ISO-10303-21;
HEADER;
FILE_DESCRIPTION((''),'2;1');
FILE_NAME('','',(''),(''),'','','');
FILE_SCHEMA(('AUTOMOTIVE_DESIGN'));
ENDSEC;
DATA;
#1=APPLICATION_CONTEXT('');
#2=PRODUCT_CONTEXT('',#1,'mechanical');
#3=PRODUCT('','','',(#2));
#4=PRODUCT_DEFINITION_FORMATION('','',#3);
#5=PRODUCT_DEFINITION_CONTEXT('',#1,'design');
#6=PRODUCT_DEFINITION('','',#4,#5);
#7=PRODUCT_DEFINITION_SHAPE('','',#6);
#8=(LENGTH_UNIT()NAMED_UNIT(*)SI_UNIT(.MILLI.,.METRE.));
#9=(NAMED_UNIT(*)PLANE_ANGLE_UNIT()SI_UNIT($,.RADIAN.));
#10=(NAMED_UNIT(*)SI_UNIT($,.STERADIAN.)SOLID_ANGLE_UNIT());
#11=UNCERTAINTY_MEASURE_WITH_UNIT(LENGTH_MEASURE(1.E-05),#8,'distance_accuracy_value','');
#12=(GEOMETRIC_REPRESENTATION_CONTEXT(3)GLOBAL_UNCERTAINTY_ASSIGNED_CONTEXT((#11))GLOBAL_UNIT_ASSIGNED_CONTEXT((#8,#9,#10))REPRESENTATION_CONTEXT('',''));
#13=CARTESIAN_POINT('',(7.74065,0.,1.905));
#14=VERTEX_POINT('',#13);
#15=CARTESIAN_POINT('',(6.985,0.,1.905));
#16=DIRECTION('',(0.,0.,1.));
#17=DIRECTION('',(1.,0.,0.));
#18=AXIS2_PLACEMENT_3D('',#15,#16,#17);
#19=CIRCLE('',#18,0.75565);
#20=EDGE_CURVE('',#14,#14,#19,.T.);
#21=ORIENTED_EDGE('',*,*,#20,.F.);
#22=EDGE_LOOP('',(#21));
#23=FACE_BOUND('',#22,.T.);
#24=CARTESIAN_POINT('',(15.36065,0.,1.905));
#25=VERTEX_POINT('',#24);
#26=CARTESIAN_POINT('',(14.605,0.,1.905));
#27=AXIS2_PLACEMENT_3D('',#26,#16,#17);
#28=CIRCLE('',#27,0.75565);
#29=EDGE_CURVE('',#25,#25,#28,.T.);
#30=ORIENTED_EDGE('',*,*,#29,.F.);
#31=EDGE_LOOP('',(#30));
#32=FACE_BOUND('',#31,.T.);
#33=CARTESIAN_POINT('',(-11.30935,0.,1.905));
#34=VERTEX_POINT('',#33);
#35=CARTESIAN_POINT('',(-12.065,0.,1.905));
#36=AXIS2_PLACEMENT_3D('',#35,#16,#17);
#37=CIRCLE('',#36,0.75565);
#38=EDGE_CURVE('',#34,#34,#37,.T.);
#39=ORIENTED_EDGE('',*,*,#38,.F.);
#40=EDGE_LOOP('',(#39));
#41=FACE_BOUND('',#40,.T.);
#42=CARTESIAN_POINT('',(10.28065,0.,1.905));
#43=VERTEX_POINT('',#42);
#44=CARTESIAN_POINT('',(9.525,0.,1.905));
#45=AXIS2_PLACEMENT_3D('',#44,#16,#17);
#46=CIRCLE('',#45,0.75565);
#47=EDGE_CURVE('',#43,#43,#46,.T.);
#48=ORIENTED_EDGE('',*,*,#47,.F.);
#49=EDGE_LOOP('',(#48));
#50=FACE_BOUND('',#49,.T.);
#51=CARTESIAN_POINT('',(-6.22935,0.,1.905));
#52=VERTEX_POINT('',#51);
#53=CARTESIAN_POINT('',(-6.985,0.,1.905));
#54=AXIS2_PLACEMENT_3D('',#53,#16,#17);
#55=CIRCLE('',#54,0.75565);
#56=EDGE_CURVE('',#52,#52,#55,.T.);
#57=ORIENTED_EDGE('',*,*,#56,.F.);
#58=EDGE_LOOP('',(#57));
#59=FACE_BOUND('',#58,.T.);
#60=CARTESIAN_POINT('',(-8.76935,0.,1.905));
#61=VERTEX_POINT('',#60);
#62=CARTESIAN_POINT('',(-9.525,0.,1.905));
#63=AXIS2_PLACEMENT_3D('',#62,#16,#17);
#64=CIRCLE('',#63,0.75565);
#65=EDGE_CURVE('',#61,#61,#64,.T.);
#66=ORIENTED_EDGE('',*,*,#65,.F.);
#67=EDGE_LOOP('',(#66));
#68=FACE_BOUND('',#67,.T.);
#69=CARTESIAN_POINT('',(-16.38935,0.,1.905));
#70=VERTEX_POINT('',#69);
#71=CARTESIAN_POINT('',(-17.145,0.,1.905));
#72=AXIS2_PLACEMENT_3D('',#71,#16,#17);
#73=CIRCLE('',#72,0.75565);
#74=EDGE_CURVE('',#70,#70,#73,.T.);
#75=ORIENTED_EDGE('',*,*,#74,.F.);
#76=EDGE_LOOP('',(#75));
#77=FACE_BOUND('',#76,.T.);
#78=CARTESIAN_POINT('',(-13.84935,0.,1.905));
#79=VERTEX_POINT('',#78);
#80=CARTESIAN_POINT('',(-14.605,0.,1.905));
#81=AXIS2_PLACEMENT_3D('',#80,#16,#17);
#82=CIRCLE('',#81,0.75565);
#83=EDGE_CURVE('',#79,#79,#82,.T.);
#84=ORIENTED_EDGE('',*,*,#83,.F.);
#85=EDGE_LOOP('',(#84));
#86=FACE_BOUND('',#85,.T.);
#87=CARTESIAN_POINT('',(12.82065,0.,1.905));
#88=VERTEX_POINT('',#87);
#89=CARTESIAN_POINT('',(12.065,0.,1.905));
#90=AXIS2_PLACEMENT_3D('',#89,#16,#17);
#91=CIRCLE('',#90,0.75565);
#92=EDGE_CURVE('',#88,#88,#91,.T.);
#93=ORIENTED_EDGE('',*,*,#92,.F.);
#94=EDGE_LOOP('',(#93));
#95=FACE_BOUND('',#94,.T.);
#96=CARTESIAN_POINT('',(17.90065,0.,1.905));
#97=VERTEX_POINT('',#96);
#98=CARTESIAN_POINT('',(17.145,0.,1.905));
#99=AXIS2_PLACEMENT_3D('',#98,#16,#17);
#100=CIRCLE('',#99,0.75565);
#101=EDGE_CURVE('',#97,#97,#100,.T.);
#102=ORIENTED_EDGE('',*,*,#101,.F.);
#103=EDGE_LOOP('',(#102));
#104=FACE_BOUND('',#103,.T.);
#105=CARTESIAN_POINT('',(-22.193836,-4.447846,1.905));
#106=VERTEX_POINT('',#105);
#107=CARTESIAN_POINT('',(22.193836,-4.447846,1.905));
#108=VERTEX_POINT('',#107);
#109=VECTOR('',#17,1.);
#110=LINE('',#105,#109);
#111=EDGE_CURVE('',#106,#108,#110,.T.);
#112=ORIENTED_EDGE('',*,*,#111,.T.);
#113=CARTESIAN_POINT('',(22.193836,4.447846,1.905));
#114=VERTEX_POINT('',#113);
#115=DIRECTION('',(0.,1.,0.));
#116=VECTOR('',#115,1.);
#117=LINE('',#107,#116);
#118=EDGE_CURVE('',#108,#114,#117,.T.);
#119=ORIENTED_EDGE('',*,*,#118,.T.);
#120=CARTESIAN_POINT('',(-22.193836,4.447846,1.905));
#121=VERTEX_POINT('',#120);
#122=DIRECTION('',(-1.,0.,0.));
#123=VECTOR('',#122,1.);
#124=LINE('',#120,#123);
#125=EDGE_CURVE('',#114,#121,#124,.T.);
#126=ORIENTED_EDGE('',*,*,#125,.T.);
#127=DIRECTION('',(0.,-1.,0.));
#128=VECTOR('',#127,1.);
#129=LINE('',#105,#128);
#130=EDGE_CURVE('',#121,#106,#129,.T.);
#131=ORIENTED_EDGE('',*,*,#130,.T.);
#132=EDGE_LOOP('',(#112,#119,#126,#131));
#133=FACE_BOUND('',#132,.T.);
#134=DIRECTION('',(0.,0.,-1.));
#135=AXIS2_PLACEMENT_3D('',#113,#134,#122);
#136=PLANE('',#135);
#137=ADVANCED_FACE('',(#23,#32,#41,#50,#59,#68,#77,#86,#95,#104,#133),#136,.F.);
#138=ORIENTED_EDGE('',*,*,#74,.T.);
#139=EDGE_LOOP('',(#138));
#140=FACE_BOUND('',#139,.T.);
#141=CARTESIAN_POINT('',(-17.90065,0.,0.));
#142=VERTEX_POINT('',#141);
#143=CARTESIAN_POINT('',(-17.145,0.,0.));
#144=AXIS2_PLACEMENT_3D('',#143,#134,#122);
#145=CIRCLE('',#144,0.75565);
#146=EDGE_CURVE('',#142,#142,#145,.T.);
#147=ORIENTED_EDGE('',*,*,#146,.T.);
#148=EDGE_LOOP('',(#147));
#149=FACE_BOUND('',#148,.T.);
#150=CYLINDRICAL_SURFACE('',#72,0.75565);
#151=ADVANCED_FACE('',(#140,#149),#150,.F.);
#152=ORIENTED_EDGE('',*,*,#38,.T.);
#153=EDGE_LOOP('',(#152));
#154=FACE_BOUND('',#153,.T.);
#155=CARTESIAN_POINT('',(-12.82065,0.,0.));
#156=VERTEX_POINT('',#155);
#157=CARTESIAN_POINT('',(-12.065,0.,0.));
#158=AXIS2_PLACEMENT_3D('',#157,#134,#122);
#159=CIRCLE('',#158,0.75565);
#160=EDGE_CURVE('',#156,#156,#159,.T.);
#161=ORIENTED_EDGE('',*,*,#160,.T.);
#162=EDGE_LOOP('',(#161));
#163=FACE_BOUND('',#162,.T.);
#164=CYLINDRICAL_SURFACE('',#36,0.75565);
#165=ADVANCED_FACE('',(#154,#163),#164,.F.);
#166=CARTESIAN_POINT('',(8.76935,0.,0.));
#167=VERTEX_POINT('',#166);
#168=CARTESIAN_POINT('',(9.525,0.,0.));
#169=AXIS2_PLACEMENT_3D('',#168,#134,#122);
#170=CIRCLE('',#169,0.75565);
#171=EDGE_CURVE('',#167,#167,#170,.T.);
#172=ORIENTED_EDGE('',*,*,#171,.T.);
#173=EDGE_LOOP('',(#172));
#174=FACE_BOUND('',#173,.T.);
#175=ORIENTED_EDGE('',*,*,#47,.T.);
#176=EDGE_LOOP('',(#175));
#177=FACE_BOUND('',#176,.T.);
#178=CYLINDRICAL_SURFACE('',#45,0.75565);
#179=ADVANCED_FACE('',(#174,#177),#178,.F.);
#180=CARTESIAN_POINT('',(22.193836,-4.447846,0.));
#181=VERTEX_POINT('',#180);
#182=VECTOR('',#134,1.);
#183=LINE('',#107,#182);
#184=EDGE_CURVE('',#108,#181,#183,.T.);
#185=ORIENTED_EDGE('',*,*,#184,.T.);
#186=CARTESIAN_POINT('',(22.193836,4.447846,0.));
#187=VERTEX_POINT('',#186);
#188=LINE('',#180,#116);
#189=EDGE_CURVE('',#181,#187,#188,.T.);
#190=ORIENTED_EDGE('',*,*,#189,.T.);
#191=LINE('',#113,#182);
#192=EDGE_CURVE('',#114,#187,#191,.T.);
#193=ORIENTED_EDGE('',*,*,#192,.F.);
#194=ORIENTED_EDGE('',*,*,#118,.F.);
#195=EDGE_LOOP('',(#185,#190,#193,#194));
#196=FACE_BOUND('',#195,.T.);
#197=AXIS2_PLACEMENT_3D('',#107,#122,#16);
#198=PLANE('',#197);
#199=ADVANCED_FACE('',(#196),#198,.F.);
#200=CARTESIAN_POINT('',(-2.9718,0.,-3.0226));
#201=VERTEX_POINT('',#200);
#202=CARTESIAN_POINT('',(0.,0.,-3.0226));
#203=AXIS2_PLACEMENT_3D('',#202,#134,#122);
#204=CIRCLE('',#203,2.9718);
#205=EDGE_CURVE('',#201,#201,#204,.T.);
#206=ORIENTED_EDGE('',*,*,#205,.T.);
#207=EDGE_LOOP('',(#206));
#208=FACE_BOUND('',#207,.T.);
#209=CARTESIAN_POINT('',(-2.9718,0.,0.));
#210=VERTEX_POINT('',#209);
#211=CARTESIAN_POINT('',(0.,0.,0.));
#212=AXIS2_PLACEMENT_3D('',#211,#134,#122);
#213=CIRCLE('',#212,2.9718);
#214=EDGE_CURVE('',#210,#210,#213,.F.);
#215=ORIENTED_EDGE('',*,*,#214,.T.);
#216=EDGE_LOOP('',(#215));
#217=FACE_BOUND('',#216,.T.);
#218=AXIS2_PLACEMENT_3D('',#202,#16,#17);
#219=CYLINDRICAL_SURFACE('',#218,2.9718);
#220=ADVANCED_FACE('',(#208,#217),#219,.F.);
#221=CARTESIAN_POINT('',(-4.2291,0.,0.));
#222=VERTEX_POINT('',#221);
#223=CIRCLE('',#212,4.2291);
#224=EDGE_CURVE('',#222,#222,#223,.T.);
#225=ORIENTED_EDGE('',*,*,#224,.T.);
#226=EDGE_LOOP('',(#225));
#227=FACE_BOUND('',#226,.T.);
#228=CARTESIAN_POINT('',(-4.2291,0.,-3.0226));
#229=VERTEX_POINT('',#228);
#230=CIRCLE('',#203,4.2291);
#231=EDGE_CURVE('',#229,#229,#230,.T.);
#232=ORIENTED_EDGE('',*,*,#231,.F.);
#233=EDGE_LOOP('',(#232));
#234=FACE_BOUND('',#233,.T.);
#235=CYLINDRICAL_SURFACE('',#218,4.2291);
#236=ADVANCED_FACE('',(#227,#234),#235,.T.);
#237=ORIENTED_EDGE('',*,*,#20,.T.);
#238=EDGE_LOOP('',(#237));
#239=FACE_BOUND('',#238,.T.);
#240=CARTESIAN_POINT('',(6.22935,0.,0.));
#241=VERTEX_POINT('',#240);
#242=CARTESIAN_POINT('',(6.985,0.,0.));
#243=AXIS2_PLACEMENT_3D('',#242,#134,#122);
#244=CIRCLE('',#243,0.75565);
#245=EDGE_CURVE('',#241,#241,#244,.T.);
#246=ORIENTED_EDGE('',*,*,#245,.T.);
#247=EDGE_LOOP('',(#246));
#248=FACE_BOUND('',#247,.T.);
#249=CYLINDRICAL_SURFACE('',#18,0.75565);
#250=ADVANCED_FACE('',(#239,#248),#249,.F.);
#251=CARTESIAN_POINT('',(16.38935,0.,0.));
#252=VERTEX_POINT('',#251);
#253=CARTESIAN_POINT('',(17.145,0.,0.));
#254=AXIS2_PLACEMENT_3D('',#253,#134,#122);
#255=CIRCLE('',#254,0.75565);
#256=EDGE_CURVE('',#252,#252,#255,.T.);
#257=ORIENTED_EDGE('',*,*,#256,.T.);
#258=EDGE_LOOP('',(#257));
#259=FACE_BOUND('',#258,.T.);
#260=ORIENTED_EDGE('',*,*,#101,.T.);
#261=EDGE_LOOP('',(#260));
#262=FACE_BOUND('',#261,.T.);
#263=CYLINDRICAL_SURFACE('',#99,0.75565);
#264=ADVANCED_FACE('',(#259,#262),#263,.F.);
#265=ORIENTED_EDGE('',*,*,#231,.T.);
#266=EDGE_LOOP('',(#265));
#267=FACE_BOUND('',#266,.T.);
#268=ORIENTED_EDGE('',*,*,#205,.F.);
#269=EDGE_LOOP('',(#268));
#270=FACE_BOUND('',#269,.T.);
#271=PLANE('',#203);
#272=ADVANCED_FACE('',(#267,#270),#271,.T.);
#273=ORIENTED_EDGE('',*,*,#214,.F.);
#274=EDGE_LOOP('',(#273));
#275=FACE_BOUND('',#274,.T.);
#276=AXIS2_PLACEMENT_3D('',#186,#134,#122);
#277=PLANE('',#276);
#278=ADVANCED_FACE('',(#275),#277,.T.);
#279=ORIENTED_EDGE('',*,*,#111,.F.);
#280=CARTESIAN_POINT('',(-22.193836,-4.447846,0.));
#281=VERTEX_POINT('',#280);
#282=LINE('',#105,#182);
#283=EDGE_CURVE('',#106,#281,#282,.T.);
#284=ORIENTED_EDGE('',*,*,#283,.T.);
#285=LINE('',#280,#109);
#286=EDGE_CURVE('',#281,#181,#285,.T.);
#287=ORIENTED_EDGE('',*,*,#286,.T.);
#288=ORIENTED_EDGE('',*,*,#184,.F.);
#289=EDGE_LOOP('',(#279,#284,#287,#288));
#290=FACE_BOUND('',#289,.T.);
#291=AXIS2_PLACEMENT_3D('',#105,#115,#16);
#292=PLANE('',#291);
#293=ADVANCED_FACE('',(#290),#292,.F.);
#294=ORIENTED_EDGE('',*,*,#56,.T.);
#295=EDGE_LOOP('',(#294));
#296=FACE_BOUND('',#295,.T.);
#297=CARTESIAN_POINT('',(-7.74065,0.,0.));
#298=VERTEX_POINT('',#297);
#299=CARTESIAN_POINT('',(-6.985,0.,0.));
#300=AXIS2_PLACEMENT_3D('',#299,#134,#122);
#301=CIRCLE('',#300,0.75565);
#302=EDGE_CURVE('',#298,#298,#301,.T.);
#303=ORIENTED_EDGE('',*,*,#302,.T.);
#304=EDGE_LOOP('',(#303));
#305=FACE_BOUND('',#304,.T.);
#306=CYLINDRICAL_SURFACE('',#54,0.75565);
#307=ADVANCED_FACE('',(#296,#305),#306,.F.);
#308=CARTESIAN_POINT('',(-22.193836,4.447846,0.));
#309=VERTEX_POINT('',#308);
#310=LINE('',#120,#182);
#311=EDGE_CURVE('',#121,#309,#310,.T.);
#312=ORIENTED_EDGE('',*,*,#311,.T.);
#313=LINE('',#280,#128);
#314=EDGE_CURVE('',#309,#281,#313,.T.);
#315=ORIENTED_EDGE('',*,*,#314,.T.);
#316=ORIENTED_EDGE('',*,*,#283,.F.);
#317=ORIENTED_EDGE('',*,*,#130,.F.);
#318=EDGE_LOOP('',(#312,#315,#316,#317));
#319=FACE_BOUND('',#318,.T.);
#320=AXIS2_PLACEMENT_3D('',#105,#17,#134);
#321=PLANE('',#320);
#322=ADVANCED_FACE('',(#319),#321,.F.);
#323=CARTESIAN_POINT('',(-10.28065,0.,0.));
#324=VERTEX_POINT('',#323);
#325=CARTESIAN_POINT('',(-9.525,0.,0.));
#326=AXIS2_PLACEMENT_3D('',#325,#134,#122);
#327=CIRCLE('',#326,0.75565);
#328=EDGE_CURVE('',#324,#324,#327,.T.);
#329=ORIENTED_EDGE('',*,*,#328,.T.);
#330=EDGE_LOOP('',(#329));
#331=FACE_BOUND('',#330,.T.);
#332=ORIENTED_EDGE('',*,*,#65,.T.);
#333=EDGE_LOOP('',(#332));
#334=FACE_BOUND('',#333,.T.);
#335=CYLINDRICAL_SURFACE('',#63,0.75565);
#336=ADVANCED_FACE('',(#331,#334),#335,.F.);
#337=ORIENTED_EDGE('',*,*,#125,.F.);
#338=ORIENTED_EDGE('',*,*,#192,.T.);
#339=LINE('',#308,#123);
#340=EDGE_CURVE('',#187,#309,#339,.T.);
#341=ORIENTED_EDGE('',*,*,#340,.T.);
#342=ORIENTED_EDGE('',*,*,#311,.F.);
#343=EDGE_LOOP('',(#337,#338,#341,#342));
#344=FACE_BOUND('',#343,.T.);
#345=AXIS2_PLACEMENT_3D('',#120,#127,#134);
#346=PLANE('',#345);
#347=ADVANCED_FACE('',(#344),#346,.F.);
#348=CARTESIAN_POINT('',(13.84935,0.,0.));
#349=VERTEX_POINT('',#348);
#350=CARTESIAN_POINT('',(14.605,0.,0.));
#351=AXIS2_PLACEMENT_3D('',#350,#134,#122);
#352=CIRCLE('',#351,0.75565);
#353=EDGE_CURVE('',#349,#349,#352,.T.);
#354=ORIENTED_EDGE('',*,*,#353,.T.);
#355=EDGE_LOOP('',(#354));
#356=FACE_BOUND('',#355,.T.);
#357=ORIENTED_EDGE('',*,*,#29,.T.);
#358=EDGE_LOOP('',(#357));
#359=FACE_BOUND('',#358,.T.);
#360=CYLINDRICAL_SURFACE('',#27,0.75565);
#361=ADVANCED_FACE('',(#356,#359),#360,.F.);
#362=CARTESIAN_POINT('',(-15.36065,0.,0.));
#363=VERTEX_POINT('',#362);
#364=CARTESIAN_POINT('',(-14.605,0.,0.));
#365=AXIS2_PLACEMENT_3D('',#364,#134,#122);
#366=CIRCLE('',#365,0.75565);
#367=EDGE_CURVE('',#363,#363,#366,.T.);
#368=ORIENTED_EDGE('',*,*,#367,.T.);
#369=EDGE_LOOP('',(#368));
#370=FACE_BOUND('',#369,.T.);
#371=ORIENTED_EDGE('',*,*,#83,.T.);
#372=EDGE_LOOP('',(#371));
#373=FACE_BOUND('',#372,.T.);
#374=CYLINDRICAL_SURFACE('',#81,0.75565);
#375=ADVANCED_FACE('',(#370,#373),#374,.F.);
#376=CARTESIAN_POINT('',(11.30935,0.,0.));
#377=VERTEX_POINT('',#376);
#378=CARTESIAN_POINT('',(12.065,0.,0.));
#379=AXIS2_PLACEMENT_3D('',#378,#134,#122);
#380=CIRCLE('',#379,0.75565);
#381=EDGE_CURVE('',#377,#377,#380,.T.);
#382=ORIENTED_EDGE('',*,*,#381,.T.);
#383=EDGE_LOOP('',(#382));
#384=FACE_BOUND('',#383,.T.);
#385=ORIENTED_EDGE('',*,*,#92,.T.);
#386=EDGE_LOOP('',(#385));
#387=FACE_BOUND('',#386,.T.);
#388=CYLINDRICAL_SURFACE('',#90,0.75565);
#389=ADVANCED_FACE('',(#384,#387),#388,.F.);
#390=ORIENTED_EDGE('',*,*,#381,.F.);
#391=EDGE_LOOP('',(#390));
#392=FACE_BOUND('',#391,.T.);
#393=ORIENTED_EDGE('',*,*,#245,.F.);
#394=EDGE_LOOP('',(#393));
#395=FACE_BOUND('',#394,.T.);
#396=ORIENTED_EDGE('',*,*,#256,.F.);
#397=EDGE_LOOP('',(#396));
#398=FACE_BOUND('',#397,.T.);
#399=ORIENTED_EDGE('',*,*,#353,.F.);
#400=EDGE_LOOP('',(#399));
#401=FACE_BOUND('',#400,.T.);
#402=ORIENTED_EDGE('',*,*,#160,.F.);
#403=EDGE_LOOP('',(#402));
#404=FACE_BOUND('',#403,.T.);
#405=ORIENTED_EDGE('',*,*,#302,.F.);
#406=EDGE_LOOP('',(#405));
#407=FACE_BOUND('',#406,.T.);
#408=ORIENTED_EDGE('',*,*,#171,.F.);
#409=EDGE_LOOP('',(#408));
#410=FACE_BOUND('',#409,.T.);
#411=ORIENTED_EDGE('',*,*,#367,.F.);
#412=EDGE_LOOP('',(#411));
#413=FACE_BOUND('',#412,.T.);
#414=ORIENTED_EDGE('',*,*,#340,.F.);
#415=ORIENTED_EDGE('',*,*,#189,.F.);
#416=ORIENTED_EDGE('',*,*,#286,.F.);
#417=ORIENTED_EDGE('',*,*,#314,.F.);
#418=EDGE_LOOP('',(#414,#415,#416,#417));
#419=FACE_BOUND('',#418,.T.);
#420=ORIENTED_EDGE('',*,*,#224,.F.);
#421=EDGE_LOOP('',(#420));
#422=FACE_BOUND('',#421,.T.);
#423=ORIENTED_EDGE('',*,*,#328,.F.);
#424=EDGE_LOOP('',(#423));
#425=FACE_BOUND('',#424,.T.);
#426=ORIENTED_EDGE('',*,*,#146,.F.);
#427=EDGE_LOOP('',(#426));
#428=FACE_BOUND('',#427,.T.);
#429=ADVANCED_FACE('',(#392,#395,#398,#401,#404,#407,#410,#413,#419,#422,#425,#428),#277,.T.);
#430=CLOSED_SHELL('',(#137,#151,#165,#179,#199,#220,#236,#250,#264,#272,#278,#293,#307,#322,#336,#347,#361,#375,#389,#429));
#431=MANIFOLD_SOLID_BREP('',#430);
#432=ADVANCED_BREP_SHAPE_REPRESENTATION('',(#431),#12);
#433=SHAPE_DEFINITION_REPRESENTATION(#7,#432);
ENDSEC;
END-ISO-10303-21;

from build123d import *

# Parameters (mm, degrees)
SKETCH1_W         = 44.38767267
SKETCH1_H         = 8.89569146
EXTRUDE1_DEPTH    = 1.905
SKETCH2_R         = 4.2291
SKETCH2_R_2       = 2.9718
EXTRUDE2_DEPTH    = 3.0226
LPATTERN2_COUNT   = 5
LPATTERN2_PITCH   = 2.54
CIRPATTERN2_COUNT = 2


with BuildPart() as part:
    # Sketch1 → Extrude1 (new body)
    with BuildSketch(Plane.XY):
        Rectangle(SKETCH1_W, SKETCH1_H)
    extrude(amount=EXTRUDE1_DEPTH)

    # Sketch2 → Extrude2 (add)
    with BuildSketch(Plane(origin=(0, 0, 0), x_dir=(-1, 0, 0), z_dir=(0, 0, -1))):
        Circle(SKETCH2_R)
        Circle(SKETCH2_R_2, mode=Mode.SUBTRACT)
    extrude(amount=EXTRUDE2_DEPTH)

    # Sketch4 → #53 (0.0595) Diameter Hole1 (revolve, cut)
    with BuildSketch(Plane(origin=(6.985, 0, 1.905), x_dir=(0, -1, 0), z_dir=(1, 0, 0))):
        Polygon((0, 0), (0, 5.534040327), (0.75565, 5.08), (0.75565, 0), align=None)
    f_53_0_0595_diameter_hole1 = revolve(axis=Axis((6.985, 0, 8.255), (0, 0, -1)), mode=Mode.SUBTRACT)

    # LPattern2: #53 (0.0595) Diameter Hole1 ×5
    with Locations(*[(i * LPATTERN2_PITCH, 0, 0) for i in range(1, LPATTERN2_COUNT)]):
        add(f_53_0_0595_diameter_hole1, mode=Mode.SUBTRACT)

    # CirPattern2: #53 (0.0595) Diameter Hole1 ×2 about axis
    cirpattern2_axis = Axis((0, 0, 0), (0, 0, 1))
    for i in range(1, CIRPATTERN2_COUNT):
        add(f_53_0_0595_diameter_hole1.rotate(cirpattern2_axis, i * 360 / CIRPATTERN2_COUNT), mode=Mode.SUBTRACT)

    # CirPattern2 copy 1 sketch → CirPattern2 copy 1 (revolve, cut)
    with BuildSketch(Plane(origin=(-9.525, 0, 1.905), x_dir=(0, 1, 0), z_dir=(-1, 0, 0))):
        Polygon((0, 0), (0, 5.534040327), (0.75565, 5.08), (0.75565, 0), align=None)
    revolve(axis=Axis((-9.525, 0, 8.255), (0, 0, -1)), mode=Mode.SUBTRACT)

    # CirPattern2 copy 2 sketch → CirPattern2 copy 2 (revolve, cut)
    with BuildSketch(Plane(origin=(-12.065, 0, 1.905), x_dir=(0, 1, 0), z_dir=(-1, 0, 0))):
        Polygon((0, 0), (0, 5.534040327), (0.75565, 5.08), (0.75565, 0), align=None)
    revolve(axis=Axis((-12.065, 0, 8.255), (0, 0, -1)), mode=Mode.SUBTRACT)

    # CirPattern2 copy 3 sketch → CirPattern2 copy 3 (revolve, cut)
    with BuildSketch(Plane(origin=(-14.605, 0, 1.905), x_dir=(0, 1, 0), z_dir=(-1, 0, 0))):
        Polygon((0, 0), (0, 5.534040327), (0.75565, 5.08), (0.75565, 0), align=None)
    revolve(axis=Axis((-14.605, 0, 8.255), (0, 0, -1)), mode=Mode.SUBTRACT)

    # CirPattern2 copy 4 sketch → CirPattern2 copy 4 (revolve, cut)
    with BuildSketch(Plane(origin=(-17.145, 0, 1.905), x_dir=(0, 1, 0), z_dir=(-1, 0, 0))):
        Polygon((0, 0), (0, 5.534040327), (0.75565, 5.08), (0.75565, 0), align=None)
    revolve(axis=Axis((-17.145, 0, 8.255), (0, 0, -1)), mode=Mode.SUBTRACT)


solid = part.part
